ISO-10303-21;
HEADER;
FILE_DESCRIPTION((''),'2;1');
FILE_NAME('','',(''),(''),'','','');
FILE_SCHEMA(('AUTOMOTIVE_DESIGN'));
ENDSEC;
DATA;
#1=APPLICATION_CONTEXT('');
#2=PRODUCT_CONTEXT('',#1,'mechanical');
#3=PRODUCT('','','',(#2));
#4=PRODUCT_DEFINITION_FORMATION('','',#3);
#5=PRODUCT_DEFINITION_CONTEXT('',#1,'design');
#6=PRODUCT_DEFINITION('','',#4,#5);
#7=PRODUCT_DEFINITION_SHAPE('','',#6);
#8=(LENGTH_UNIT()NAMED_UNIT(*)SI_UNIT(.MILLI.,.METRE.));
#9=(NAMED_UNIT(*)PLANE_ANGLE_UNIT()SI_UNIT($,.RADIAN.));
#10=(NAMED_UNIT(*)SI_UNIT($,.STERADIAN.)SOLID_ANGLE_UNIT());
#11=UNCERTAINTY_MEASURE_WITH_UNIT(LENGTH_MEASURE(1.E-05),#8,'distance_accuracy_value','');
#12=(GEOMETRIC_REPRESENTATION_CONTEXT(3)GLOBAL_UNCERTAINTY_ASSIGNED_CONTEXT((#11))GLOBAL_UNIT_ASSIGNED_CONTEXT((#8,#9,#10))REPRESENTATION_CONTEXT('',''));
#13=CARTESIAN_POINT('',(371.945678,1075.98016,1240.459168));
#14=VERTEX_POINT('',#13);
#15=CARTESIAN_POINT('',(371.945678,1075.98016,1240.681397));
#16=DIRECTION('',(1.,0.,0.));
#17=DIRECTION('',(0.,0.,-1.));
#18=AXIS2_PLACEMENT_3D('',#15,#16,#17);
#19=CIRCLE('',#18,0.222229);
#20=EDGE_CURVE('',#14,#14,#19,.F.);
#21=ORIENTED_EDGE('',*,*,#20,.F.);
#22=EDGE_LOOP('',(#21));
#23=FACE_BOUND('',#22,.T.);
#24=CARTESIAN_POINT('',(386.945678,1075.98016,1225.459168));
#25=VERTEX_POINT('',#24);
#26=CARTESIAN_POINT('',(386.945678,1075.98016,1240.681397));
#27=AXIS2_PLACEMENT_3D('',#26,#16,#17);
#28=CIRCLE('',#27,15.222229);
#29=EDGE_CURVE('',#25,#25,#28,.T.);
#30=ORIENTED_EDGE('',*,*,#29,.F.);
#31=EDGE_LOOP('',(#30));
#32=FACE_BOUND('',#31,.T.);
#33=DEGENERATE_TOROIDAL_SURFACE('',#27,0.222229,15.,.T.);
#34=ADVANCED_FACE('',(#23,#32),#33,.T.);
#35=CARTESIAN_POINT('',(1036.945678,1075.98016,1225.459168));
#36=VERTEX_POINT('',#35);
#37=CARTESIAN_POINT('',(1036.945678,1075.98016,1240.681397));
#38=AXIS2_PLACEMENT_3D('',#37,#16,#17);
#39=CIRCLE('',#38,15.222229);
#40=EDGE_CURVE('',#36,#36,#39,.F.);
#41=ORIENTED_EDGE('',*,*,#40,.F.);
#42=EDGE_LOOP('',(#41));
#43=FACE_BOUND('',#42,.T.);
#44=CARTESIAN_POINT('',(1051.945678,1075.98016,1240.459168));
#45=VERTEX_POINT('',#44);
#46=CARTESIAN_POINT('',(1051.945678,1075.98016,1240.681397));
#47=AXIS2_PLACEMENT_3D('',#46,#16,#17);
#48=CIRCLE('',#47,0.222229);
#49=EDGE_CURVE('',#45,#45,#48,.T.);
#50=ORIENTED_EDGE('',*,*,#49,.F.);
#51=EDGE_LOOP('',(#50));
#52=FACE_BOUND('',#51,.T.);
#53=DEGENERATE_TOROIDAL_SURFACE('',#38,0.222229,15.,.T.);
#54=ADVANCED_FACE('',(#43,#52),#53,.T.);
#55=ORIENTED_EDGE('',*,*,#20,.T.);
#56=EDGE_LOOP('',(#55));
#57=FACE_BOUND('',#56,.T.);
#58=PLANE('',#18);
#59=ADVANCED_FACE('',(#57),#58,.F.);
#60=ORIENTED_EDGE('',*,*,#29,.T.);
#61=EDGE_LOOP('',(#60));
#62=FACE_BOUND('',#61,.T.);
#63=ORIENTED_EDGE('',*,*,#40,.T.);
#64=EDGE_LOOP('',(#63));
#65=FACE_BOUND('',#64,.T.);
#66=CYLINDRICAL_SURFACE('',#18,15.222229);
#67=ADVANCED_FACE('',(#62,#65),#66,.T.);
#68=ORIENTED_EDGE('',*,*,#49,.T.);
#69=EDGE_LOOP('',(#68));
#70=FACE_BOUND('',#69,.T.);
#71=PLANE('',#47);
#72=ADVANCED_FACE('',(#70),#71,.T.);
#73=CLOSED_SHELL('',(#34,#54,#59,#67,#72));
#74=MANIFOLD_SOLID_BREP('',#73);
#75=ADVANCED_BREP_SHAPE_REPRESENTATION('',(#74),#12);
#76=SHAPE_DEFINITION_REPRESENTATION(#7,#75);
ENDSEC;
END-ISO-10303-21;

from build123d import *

# Parameters (mm, degrees)
SKETCH1_R           = 15.222228559
BOSS_EXTRUDE1_DEPTH = 680
FILLET1_R           = 15


with BuildPart() as part:
    # Sketch1 → Boss-Extrude1 (new body)
    with BuildSketch(Plane(origin=(1051.94567778, 0, 0), x_dir=(0, 0, -1), z_dir=(1, 0, 0))):
        with Locations((-1240.681396917, 1075.980159729)):
            Circle(SKETCH1_R)
    extrude(amount=-BOSS_EXTRUDE1_DEPTH)

    # Fillet1
    fillet1_edges = [part.edges().sort_by_distance(p)[0] for p in [
        (1051.94567778, 1075.980159729, 1255.903625475),
        (371.94567778, 1075.980159729, 1255.903625475),
    ]]
    fillet(fillet1_edges, radius=FILLET1_R)


solid = part.part
